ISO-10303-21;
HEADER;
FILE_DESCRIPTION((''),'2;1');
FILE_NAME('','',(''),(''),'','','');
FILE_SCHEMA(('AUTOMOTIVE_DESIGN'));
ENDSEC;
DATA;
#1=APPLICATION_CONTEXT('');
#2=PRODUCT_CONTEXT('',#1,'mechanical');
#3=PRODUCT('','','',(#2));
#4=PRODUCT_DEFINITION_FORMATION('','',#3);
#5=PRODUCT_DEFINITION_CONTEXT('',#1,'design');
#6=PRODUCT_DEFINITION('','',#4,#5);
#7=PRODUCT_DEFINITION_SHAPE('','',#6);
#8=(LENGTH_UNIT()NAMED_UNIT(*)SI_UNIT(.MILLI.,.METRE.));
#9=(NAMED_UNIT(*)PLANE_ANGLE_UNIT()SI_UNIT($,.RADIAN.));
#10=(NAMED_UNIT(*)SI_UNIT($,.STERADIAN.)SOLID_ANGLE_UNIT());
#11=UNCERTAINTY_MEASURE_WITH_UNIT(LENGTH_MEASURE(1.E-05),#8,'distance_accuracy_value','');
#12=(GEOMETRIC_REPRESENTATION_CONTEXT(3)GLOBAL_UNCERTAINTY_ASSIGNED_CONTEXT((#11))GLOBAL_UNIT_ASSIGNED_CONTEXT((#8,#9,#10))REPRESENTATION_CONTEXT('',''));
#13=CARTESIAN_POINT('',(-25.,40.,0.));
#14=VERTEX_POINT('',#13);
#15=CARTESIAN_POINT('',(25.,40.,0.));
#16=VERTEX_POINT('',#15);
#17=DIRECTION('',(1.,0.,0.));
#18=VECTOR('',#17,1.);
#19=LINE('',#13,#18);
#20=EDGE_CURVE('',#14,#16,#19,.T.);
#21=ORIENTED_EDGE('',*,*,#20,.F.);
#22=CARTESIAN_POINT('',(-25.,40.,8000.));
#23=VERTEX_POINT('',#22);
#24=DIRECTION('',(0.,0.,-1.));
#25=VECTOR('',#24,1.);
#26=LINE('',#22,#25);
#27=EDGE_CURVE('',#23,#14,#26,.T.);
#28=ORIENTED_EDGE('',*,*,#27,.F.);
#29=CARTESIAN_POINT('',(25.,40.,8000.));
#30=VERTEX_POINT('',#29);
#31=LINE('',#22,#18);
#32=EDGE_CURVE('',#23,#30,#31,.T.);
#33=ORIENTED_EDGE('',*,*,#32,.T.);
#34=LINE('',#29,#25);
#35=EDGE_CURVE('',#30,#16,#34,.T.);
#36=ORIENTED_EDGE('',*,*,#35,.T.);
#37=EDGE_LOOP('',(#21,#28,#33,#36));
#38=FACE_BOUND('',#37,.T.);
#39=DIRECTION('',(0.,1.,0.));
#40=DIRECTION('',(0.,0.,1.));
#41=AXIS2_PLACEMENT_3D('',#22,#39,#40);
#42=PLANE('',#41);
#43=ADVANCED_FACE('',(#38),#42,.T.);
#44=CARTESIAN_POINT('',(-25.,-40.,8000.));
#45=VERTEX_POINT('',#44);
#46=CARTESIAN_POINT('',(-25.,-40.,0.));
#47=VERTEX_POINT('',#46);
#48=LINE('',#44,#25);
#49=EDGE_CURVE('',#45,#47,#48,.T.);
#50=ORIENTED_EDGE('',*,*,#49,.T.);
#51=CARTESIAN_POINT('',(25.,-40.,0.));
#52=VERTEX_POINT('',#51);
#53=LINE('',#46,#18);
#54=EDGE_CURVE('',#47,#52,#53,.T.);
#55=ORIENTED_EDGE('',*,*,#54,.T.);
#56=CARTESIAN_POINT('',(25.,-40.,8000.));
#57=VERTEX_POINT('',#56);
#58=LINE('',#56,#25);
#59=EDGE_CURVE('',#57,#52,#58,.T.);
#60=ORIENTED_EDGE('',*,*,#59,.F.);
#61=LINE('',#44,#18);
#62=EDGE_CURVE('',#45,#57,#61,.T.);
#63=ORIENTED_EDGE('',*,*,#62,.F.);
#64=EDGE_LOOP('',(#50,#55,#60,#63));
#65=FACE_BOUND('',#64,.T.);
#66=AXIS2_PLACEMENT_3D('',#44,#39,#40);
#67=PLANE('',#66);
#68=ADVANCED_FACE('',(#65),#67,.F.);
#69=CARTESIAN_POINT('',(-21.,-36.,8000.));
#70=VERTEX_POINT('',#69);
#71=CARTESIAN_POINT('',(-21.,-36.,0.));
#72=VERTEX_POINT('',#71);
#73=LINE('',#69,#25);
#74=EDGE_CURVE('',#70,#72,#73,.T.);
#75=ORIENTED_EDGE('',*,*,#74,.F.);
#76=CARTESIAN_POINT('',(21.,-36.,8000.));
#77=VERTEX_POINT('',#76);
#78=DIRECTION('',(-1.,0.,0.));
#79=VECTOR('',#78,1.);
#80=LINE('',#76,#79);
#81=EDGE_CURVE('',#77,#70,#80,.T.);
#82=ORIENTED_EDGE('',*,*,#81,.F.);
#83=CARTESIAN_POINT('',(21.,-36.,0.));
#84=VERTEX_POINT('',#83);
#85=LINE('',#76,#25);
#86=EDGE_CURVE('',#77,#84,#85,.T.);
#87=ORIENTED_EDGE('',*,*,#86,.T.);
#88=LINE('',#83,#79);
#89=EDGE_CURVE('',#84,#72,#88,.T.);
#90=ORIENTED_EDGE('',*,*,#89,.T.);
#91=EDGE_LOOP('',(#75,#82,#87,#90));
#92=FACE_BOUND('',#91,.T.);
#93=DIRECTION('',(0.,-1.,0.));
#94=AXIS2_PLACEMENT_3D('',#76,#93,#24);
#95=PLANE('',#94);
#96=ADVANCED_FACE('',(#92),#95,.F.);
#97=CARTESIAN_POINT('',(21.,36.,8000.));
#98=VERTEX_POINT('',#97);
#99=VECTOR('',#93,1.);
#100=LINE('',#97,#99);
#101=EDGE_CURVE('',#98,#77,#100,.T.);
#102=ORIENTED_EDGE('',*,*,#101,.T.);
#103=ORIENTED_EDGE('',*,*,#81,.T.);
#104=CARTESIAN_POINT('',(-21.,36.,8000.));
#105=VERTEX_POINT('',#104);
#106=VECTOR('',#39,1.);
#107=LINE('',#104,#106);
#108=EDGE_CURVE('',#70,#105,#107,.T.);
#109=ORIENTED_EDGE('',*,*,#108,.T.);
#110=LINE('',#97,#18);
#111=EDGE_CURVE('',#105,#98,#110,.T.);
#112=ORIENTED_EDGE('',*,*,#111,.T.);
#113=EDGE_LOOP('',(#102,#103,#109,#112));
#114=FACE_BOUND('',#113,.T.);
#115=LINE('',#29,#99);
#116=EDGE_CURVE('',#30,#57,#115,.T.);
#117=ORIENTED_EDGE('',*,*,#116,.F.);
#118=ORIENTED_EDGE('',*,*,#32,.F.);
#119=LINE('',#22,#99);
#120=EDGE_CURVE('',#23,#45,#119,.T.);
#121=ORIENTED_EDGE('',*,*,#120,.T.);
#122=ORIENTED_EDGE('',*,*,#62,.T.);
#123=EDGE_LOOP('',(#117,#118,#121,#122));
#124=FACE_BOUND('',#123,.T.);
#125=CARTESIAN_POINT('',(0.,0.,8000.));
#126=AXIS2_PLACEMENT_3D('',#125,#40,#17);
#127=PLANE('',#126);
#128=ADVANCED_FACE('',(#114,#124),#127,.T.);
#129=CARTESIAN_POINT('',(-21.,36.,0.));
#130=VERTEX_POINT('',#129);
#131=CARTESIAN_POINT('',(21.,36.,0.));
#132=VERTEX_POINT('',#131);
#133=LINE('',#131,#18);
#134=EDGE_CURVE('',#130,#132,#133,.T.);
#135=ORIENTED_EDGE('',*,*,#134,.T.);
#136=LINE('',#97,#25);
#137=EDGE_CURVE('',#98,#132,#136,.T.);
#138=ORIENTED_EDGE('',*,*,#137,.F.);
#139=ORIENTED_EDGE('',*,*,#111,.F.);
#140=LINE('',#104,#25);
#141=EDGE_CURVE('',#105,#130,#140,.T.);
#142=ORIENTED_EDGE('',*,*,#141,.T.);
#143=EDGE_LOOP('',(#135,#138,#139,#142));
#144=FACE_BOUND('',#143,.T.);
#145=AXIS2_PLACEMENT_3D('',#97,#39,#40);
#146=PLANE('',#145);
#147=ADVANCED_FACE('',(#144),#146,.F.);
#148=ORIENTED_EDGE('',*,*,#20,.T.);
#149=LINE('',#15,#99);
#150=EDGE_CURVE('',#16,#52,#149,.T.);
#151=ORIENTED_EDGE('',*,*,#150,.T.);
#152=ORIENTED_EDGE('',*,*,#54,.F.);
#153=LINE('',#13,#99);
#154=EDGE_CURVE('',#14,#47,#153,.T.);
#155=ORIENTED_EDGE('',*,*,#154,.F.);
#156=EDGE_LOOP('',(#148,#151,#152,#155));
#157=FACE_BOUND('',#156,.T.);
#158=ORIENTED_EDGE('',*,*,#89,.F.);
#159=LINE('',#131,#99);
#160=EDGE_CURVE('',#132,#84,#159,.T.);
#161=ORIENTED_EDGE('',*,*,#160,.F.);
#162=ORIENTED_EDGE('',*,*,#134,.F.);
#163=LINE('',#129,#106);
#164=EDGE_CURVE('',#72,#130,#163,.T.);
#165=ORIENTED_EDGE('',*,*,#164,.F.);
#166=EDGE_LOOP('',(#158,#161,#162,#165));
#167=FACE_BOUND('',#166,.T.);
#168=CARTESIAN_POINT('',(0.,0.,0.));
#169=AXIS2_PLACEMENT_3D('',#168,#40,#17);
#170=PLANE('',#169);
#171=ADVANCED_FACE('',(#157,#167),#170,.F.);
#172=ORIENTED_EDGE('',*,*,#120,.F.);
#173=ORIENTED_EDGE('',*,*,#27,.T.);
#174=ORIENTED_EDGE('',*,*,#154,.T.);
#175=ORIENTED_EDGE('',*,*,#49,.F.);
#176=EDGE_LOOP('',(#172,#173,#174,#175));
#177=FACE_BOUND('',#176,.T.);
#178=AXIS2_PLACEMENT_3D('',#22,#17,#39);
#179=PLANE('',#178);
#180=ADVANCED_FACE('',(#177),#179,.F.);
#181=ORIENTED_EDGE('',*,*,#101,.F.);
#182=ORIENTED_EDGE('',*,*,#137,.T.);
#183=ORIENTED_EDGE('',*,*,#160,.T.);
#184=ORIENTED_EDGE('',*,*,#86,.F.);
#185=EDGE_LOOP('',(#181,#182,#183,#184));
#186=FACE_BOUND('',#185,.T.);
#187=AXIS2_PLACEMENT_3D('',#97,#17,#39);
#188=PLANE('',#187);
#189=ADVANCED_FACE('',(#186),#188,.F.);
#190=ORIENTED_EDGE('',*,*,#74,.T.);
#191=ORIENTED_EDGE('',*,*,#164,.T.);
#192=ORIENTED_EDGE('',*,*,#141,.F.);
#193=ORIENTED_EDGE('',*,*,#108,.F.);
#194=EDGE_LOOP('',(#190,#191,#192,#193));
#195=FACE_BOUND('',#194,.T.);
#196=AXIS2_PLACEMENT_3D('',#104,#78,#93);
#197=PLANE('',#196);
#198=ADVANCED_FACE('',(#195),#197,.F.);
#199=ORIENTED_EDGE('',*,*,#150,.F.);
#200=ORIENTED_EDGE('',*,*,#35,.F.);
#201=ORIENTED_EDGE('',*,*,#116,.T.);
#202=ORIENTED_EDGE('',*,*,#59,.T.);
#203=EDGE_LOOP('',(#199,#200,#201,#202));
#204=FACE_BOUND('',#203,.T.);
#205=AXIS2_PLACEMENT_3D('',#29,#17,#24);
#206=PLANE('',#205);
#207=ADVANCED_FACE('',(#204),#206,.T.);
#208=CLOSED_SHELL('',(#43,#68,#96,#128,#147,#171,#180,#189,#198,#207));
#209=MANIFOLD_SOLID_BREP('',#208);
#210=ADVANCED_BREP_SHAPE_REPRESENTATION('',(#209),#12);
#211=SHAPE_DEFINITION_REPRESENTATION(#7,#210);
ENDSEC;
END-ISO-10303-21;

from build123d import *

# Parameters (mm, degrees)
SKETCH1_W           = 50
SKETCH1_H           = 80
BOSS_EXTRUDE1_DEPTH = 8000
SKETCH2_W           = 42
SKETCH2_H           = 72
CUT_EXTRUDE1_DEPTH  = 8000


with BuildPart() as part:
    # Sketch1 → Boss-Extrude1 (new body)
    with BuildSketch(Plane.XY):
        Rectangle(SKETCH1_W, SKETCH1_H)
    extrude(amount=BOSS_EXTRUDE1_DEPTH)

    # Sketch2 → Cut-Extrude1 (cut)
    with BuildSketch(Plane(origin=(0, 0, 0), x_dir=(-1, 0, 0), z_dir=(0, 0, -1))):
        Rectangle(SKETCH2_W, SKETCH2_H)
    extrude(amount=-CUT_EXTRUDE1_DEPTH, mode=Mode.SUBTRACT)


solid = part.part
